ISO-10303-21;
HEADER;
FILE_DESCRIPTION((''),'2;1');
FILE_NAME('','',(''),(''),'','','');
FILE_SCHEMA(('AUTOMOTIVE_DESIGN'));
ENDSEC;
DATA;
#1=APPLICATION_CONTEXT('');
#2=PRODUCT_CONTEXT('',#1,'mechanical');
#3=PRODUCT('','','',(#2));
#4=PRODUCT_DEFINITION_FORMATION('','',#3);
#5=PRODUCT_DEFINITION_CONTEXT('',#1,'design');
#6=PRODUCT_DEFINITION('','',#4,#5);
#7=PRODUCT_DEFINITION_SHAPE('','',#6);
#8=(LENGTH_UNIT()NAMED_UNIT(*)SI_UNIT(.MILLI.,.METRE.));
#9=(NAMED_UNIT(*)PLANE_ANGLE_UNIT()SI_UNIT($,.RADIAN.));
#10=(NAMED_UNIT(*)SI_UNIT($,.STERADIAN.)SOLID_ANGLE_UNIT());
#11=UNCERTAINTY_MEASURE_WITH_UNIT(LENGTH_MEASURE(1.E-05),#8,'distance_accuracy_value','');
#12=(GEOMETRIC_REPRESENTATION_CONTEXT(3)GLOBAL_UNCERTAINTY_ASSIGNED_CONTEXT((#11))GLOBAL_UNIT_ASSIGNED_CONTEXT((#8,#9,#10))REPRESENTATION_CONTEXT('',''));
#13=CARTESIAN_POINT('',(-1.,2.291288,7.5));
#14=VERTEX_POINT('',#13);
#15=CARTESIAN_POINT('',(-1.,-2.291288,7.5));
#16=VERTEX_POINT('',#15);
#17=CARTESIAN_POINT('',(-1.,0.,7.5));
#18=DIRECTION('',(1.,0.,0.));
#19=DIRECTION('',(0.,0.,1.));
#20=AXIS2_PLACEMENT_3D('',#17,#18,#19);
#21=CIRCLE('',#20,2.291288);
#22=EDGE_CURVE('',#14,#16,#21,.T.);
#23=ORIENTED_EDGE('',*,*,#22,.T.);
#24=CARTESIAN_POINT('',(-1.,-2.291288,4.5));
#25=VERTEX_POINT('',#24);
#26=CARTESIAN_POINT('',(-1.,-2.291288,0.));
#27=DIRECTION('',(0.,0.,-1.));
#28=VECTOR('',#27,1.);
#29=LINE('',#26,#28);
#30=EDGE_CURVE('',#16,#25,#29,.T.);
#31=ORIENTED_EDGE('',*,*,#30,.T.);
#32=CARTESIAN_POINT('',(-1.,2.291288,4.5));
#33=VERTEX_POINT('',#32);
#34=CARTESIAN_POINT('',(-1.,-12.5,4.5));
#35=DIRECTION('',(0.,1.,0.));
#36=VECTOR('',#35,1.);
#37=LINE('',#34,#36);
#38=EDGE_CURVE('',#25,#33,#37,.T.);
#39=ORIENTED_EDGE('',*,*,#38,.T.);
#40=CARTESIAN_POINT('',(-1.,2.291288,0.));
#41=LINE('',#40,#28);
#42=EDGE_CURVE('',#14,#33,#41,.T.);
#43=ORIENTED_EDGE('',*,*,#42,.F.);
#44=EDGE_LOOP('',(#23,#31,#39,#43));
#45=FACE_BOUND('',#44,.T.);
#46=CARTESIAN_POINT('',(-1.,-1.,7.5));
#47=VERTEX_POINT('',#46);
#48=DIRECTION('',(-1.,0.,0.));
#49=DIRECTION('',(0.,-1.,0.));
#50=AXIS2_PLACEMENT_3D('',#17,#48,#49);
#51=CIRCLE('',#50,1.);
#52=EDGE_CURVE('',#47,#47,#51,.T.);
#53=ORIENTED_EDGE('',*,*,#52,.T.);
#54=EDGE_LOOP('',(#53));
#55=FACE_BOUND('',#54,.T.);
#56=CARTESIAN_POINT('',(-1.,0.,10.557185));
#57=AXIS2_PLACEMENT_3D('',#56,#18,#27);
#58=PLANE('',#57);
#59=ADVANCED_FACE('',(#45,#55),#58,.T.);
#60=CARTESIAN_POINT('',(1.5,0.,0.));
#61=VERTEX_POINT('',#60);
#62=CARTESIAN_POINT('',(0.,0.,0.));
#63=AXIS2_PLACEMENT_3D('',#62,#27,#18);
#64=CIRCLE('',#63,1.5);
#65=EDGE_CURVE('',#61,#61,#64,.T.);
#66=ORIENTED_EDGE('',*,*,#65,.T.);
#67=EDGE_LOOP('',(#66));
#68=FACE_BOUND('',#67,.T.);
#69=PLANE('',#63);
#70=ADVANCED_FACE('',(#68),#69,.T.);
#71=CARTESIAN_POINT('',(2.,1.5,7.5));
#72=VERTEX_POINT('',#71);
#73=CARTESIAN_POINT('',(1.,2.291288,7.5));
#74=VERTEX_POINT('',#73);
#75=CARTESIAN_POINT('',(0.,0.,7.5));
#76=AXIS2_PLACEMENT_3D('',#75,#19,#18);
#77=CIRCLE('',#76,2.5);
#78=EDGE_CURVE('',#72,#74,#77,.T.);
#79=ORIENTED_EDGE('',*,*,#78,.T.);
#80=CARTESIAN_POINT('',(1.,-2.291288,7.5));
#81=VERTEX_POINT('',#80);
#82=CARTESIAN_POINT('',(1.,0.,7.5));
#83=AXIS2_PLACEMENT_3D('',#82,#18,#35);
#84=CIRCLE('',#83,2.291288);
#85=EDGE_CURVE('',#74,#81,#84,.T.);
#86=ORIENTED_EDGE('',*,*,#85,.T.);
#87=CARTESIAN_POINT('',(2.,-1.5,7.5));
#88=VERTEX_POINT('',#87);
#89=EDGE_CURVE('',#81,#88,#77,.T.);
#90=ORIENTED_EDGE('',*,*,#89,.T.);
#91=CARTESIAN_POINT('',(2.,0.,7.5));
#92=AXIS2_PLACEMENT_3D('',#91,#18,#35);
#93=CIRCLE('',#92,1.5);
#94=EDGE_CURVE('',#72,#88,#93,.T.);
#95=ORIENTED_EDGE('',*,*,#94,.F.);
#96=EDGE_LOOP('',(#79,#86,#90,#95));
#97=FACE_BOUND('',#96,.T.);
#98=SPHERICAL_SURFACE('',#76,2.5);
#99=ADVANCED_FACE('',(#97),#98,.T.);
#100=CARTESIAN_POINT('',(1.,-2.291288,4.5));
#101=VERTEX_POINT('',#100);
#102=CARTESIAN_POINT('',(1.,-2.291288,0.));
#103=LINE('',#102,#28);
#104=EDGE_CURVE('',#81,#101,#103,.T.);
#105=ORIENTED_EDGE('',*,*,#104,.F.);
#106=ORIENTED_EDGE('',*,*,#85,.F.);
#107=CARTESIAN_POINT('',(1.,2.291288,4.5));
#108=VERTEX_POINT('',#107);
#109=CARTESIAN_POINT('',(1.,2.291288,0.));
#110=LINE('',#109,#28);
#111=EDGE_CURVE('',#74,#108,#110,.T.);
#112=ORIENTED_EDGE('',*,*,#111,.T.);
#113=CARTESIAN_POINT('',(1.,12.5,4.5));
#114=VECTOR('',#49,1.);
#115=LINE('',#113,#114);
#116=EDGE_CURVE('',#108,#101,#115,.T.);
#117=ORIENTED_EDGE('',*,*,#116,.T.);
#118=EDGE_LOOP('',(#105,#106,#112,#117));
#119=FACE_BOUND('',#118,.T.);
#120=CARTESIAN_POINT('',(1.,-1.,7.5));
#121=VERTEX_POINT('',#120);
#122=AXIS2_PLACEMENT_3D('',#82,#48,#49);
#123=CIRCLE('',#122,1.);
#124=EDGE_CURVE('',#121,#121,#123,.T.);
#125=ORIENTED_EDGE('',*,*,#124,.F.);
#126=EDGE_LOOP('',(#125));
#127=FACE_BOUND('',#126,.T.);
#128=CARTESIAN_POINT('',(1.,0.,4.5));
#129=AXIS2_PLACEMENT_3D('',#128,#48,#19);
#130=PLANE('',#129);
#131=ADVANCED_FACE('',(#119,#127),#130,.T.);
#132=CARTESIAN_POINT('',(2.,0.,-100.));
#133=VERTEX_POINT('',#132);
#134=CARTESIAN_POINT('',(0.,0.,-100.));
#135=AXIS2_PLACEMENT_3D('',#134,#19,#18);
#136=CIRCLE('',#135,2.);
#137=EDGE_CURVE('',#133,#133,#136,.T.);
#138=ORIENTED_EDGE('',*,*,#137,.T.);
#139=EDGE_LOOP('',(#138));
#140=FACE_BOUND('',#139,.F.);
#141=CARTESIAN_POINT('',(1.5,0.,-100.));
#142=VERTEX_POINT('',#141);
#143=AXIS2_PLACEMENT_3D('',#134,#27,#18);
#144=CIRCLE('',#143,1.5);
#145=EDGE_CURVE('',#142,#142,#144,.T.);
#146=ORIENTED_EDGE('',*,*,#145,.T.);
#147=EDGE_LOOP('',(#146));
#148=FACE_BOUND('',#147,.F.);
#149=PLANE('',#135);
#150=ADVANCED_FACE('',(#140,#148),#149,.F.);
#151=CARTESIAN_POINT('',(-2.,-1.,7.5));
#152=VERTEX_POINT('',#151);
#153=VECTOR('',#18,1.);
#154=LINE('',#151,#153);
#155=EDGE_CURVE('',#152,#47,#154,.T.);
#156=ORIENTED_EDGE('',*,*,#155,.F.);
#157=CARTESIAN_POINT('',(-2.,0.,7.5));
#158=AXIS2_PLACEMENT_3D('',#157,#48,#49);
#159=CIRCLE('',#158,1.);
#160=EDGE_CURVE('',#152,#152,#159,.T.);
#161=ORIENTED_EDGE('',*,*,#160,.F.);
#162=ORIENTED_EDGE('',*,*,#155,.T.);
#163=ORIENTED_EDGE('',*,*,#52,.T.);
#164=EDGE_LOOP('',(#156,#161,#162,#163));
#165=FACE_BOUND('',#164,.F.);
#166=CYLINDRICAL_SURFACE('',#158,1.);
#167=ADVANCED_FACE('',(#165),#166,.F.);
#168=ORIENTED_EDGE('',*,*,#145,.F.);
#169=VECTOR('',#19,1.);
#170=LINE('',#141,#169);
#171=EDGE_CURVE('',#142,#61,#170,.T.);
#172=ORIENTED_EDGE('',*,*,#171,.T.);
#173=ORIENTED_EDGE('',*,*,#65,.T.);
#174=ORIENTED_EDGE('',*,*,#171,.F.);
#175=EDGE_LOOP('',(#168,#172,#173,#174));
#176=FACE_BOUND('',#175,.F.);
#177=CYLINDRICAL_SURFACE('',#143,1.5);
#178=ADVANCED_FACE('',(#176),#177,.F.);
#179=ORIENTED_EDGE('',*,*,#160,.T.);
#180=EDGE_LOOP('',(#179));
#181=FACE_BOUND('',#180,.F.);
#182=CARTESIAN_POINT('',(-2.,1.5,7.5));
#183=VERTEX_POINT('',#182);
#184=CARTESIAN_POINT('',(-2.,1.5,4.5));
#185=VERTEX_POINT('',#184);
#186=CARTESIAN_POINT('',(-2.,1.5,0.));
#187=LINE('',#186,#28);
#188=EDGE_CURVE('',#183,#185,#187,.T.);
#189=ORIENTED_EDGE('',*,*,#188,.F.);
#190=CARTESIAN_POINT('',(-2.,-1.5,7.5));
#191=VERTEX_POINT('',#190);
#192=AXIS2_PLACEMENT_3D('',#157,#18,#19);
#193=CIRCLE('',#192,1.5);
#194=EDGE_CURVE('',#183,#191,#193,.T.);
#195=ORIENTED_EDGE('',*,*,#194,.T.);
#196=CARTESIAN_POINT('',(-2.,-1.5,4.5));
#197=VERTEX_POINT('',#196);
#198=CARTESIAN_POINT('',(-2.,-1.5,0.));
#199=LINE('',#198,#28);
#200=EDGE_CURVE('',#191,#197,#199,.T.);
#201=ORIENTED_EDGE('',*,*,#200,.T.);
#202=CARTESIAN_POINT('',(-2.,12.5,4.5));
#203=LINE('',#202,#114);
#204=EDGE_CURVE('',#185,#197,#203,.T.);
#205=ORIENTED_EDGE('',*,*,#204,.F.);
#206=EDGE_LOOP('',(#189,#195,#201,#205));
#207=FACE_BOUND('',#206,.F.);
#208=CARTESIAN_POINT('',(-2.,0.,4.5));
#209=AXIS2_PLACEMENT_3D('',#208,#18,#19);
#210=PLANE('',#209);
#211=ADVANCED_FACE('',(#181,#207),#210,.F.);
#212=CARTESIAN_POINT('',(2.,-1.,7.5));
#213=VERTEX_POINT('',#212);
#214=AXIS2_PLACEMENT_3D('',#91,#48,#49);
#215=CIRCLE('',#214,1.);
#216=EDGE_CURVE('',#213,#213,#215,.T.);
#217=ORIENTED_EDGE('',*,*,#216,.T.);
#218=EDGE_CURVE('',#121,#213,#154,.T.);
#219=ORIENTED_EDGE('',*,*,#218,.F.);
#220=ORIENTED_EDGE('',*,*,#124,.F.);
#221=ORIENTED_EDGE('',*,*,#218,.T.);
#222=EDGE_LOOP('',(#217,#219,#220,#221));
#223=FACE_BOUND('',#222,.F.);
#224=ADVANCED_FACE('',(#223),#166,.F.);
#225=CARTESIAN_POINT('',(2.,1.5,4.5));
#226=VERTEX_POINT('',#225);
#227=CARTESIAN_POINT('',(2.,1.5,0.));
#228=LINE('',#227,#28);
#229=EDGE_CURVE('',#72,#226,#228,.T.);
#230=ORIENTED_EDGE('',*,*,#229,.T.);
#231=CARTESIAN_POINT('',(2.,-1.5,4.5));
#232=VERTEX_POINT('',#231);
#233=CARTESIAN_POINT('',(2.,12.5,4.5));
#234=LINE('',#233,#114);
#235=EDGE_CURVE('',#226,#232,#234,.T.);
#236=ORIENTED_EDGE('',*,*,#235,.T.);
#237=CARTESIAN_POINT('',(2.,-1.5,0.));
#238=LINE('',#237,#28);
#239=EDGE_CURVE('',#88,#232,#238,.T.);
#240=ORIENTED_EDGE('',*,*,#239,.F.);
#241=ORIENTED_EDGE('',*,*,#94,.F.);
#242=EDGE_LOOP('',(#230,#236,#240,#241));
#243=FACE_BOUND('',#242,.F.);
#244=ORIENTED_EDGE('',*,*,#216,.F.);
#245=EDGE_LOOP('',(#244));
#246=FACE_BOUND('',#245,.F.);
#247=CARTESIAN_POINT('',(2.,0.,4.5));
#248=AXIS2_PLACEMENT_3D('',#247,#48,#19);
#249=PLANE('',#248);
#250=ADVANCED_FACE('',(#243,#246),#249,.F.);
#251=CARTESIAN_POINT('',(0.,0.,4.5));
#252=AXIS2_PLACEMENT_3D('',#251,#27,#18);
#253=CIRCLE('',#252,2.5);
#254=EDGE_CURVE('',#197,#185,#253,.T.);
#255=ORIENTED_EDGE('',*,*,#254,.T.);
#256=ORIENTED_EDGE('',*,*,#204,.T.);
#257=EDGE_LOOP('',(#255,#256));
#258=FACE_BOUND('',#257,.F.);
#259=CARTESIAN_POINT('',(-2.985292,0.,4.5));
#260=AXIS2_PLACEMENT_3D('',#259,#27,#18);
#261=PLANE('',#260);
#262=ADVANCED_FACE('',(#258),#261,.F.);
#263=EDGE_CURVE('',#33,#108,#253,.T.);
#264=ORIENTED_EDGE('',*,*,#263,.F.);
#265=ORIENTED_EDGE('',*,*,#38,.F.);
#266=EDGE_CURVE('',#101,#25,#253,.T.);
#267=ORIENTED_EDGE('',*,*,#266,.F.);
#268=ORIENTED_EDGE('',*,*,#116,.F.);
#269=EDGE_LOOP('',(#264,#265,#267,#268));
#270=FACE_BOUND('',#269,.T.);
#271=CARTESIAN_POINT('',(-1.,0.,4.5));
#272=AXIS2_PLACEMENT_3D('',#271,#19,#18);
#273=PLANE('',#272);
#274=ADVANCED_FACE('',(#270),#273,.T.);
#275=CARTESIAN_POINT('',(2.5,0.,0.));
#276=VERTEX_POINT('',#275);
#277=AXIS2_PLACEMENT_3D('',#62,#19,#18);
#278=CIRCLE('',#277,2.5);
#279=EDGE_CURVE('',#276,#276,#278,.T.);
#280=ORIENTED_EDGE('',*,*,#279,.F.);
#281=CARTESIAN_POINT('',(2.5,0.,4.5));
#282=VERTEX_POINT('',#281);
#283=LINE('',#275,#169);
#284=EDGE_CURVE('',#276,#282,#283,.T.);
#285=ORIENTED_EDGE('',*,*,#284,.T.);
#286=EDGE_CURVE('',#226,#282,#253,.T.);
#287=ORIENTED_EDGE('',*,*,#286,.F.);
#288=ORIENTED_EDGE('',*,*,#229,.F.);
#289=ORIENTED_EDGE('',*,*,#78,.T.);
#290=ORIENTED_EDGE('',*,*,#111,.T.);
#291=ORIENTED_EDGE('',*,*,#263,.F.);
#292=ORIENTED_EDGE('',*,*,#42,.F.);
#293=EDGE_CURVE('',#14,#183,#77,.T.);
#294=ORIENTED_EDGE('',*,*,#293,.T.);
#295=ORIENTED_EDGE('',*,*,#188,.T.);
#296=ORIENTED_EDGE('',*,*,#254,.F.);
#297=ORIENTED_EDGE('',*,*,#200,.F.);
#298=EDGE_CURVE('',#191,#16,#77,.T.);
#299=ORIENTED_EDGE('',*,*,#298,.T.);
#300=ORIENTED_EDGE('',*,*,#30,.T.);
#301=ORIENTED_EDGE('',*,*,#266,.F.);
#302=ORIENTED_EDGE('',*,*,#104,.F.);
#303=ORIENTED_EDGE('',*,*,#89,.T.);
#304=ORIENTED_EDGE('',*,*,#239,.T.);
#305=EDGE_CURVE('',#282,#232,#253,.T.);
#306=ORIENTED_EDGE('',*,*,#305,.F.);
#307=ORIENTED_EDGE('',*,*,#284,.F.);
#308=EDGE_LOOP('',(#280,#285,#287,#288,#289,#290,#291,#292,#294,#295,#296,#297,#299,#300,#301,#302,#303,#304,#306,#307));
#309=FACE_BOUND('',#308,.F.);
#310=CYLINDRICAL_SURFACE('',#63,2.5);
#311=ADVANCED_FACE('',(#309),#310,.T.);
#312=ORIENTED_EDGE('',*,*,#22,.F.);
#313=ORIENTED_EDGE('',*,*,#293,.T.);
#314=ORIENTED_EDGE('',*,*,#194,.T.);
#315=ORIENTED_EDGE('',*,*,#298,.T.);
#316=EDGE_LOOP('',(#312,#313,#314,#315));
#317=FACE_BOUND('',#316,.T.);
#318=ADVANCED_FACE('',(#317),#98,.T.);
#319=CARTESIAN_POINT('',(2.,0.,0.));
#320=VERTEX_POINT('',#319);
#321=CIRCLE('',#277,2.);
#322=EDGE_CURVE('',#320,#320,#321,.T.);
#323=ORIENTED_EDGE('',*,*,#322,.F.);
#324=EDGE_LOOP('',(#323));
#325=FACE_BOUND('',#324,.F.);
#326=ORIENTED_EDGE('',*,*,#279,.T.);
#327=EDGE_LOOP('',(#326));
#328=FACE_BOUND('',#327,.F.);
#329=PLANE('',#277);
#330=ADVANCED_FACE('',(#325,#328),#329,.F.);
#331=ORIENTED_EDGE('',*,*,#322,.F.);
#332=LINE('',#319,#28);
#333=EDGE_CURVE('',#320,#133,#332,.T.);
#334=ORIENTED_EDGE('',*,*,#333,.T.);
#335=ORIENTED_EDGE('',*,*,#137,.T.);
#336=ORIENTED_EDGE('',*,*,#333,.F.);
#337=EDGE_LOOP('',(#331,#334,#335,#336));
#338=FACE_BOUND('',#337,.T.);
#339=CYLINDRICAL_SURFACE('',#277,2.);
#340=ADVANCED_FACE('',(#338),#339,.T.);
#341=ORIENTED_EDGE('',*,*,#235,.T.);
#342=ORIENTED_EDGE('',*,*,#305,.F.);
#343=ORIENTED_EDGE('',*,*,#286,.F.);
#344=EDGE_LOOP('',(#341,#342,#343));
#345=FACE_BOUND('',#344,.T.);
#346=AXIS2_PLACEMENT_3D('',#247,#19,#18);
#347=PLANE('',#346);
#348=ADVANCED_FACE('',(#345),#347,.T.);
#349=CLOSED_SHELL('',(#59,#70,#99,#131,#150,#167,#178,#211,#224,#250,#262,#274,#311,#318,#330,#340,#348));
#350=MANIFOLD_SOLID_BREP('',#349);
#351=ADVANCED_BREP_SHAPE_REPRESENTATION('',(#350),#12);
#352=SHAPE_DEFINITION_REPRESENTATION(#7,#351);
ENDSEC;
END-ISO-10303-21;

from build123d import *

# Parameters (mm, degrees)
F0_R      = 2
F1_DEPTH  = 100
F2_R      = 2.5
F3_DEPTH  = 10
F4_R      = 2.5
F5_W      = 1.339052
F5_H      = 6.030723
F5_W_2    = 0.985292
F5_H_2    = 6.057185
F6_DEPTH  = 12.5
F7_R      = 1
F8_DEPTH  = 25
F9_R      = 1.5
F10_DEPTH = 100


with BuildPart() as f1:
    # F0 (on Top) → F1 (new body)
    with BuildSketch(Plane.XY):
        Circle(F0_R)
    extrude(amount=-F1_DEPTH)

    # F2 (on face) → F3 (join)
    with BuildSketch(Plane.XY):
        Circle(F2_R)
    extrude(amount=F3_DEPTH)

    # F4
    f4_edges = [f1.edges().sort_by_distance(p)[0] for p in [
        (-2.5, 0, 10),
    ]]
    fillet(f4_edges, radius=F4_R)

    # F5 (on Front) → F6 (cut, symmetric)
    with BuildSketch(Plane.XZ):
        Polygon((-1, 4.5), (0, 4.5), (1, 4.5), (1, 10.557185), (-1, 10.557185), align=None)
        with Locations((2.669526, 7.515362)):
            Rectangle(F5_W, F5_H)
        with Locations((-2.492646, 7.528592)):
            Rectangle(F5_W_2, F5_H_2)
    extrude(amount=F6_DEPTH, both=True, mode=Mode.SUBTRACT)

    # F7 (on face) → F8 (cut)
    with BuildSketch(Plane(origin=(-2, 0, 0), x_dir=(0, -1, 0), z_dir=(-1, 0, 0))):
        with Locations((0, 7.5)):
            Circle(F7_R)
    extrude(amount=-F8_DEPTH, mode=Mode.SUBTRACT)

    # F9 (on face) → F10 (cut)
    with BuildSketch(Plane(origin=(0, 0, -100), x_dir=(1, 0, 0), z_dir=(0, 0, -1))):
        Circle(F9_R)
    extrude(amount=-F10_DEPTH, mode=Mode.SUBTRACT)


solid = f1.part
